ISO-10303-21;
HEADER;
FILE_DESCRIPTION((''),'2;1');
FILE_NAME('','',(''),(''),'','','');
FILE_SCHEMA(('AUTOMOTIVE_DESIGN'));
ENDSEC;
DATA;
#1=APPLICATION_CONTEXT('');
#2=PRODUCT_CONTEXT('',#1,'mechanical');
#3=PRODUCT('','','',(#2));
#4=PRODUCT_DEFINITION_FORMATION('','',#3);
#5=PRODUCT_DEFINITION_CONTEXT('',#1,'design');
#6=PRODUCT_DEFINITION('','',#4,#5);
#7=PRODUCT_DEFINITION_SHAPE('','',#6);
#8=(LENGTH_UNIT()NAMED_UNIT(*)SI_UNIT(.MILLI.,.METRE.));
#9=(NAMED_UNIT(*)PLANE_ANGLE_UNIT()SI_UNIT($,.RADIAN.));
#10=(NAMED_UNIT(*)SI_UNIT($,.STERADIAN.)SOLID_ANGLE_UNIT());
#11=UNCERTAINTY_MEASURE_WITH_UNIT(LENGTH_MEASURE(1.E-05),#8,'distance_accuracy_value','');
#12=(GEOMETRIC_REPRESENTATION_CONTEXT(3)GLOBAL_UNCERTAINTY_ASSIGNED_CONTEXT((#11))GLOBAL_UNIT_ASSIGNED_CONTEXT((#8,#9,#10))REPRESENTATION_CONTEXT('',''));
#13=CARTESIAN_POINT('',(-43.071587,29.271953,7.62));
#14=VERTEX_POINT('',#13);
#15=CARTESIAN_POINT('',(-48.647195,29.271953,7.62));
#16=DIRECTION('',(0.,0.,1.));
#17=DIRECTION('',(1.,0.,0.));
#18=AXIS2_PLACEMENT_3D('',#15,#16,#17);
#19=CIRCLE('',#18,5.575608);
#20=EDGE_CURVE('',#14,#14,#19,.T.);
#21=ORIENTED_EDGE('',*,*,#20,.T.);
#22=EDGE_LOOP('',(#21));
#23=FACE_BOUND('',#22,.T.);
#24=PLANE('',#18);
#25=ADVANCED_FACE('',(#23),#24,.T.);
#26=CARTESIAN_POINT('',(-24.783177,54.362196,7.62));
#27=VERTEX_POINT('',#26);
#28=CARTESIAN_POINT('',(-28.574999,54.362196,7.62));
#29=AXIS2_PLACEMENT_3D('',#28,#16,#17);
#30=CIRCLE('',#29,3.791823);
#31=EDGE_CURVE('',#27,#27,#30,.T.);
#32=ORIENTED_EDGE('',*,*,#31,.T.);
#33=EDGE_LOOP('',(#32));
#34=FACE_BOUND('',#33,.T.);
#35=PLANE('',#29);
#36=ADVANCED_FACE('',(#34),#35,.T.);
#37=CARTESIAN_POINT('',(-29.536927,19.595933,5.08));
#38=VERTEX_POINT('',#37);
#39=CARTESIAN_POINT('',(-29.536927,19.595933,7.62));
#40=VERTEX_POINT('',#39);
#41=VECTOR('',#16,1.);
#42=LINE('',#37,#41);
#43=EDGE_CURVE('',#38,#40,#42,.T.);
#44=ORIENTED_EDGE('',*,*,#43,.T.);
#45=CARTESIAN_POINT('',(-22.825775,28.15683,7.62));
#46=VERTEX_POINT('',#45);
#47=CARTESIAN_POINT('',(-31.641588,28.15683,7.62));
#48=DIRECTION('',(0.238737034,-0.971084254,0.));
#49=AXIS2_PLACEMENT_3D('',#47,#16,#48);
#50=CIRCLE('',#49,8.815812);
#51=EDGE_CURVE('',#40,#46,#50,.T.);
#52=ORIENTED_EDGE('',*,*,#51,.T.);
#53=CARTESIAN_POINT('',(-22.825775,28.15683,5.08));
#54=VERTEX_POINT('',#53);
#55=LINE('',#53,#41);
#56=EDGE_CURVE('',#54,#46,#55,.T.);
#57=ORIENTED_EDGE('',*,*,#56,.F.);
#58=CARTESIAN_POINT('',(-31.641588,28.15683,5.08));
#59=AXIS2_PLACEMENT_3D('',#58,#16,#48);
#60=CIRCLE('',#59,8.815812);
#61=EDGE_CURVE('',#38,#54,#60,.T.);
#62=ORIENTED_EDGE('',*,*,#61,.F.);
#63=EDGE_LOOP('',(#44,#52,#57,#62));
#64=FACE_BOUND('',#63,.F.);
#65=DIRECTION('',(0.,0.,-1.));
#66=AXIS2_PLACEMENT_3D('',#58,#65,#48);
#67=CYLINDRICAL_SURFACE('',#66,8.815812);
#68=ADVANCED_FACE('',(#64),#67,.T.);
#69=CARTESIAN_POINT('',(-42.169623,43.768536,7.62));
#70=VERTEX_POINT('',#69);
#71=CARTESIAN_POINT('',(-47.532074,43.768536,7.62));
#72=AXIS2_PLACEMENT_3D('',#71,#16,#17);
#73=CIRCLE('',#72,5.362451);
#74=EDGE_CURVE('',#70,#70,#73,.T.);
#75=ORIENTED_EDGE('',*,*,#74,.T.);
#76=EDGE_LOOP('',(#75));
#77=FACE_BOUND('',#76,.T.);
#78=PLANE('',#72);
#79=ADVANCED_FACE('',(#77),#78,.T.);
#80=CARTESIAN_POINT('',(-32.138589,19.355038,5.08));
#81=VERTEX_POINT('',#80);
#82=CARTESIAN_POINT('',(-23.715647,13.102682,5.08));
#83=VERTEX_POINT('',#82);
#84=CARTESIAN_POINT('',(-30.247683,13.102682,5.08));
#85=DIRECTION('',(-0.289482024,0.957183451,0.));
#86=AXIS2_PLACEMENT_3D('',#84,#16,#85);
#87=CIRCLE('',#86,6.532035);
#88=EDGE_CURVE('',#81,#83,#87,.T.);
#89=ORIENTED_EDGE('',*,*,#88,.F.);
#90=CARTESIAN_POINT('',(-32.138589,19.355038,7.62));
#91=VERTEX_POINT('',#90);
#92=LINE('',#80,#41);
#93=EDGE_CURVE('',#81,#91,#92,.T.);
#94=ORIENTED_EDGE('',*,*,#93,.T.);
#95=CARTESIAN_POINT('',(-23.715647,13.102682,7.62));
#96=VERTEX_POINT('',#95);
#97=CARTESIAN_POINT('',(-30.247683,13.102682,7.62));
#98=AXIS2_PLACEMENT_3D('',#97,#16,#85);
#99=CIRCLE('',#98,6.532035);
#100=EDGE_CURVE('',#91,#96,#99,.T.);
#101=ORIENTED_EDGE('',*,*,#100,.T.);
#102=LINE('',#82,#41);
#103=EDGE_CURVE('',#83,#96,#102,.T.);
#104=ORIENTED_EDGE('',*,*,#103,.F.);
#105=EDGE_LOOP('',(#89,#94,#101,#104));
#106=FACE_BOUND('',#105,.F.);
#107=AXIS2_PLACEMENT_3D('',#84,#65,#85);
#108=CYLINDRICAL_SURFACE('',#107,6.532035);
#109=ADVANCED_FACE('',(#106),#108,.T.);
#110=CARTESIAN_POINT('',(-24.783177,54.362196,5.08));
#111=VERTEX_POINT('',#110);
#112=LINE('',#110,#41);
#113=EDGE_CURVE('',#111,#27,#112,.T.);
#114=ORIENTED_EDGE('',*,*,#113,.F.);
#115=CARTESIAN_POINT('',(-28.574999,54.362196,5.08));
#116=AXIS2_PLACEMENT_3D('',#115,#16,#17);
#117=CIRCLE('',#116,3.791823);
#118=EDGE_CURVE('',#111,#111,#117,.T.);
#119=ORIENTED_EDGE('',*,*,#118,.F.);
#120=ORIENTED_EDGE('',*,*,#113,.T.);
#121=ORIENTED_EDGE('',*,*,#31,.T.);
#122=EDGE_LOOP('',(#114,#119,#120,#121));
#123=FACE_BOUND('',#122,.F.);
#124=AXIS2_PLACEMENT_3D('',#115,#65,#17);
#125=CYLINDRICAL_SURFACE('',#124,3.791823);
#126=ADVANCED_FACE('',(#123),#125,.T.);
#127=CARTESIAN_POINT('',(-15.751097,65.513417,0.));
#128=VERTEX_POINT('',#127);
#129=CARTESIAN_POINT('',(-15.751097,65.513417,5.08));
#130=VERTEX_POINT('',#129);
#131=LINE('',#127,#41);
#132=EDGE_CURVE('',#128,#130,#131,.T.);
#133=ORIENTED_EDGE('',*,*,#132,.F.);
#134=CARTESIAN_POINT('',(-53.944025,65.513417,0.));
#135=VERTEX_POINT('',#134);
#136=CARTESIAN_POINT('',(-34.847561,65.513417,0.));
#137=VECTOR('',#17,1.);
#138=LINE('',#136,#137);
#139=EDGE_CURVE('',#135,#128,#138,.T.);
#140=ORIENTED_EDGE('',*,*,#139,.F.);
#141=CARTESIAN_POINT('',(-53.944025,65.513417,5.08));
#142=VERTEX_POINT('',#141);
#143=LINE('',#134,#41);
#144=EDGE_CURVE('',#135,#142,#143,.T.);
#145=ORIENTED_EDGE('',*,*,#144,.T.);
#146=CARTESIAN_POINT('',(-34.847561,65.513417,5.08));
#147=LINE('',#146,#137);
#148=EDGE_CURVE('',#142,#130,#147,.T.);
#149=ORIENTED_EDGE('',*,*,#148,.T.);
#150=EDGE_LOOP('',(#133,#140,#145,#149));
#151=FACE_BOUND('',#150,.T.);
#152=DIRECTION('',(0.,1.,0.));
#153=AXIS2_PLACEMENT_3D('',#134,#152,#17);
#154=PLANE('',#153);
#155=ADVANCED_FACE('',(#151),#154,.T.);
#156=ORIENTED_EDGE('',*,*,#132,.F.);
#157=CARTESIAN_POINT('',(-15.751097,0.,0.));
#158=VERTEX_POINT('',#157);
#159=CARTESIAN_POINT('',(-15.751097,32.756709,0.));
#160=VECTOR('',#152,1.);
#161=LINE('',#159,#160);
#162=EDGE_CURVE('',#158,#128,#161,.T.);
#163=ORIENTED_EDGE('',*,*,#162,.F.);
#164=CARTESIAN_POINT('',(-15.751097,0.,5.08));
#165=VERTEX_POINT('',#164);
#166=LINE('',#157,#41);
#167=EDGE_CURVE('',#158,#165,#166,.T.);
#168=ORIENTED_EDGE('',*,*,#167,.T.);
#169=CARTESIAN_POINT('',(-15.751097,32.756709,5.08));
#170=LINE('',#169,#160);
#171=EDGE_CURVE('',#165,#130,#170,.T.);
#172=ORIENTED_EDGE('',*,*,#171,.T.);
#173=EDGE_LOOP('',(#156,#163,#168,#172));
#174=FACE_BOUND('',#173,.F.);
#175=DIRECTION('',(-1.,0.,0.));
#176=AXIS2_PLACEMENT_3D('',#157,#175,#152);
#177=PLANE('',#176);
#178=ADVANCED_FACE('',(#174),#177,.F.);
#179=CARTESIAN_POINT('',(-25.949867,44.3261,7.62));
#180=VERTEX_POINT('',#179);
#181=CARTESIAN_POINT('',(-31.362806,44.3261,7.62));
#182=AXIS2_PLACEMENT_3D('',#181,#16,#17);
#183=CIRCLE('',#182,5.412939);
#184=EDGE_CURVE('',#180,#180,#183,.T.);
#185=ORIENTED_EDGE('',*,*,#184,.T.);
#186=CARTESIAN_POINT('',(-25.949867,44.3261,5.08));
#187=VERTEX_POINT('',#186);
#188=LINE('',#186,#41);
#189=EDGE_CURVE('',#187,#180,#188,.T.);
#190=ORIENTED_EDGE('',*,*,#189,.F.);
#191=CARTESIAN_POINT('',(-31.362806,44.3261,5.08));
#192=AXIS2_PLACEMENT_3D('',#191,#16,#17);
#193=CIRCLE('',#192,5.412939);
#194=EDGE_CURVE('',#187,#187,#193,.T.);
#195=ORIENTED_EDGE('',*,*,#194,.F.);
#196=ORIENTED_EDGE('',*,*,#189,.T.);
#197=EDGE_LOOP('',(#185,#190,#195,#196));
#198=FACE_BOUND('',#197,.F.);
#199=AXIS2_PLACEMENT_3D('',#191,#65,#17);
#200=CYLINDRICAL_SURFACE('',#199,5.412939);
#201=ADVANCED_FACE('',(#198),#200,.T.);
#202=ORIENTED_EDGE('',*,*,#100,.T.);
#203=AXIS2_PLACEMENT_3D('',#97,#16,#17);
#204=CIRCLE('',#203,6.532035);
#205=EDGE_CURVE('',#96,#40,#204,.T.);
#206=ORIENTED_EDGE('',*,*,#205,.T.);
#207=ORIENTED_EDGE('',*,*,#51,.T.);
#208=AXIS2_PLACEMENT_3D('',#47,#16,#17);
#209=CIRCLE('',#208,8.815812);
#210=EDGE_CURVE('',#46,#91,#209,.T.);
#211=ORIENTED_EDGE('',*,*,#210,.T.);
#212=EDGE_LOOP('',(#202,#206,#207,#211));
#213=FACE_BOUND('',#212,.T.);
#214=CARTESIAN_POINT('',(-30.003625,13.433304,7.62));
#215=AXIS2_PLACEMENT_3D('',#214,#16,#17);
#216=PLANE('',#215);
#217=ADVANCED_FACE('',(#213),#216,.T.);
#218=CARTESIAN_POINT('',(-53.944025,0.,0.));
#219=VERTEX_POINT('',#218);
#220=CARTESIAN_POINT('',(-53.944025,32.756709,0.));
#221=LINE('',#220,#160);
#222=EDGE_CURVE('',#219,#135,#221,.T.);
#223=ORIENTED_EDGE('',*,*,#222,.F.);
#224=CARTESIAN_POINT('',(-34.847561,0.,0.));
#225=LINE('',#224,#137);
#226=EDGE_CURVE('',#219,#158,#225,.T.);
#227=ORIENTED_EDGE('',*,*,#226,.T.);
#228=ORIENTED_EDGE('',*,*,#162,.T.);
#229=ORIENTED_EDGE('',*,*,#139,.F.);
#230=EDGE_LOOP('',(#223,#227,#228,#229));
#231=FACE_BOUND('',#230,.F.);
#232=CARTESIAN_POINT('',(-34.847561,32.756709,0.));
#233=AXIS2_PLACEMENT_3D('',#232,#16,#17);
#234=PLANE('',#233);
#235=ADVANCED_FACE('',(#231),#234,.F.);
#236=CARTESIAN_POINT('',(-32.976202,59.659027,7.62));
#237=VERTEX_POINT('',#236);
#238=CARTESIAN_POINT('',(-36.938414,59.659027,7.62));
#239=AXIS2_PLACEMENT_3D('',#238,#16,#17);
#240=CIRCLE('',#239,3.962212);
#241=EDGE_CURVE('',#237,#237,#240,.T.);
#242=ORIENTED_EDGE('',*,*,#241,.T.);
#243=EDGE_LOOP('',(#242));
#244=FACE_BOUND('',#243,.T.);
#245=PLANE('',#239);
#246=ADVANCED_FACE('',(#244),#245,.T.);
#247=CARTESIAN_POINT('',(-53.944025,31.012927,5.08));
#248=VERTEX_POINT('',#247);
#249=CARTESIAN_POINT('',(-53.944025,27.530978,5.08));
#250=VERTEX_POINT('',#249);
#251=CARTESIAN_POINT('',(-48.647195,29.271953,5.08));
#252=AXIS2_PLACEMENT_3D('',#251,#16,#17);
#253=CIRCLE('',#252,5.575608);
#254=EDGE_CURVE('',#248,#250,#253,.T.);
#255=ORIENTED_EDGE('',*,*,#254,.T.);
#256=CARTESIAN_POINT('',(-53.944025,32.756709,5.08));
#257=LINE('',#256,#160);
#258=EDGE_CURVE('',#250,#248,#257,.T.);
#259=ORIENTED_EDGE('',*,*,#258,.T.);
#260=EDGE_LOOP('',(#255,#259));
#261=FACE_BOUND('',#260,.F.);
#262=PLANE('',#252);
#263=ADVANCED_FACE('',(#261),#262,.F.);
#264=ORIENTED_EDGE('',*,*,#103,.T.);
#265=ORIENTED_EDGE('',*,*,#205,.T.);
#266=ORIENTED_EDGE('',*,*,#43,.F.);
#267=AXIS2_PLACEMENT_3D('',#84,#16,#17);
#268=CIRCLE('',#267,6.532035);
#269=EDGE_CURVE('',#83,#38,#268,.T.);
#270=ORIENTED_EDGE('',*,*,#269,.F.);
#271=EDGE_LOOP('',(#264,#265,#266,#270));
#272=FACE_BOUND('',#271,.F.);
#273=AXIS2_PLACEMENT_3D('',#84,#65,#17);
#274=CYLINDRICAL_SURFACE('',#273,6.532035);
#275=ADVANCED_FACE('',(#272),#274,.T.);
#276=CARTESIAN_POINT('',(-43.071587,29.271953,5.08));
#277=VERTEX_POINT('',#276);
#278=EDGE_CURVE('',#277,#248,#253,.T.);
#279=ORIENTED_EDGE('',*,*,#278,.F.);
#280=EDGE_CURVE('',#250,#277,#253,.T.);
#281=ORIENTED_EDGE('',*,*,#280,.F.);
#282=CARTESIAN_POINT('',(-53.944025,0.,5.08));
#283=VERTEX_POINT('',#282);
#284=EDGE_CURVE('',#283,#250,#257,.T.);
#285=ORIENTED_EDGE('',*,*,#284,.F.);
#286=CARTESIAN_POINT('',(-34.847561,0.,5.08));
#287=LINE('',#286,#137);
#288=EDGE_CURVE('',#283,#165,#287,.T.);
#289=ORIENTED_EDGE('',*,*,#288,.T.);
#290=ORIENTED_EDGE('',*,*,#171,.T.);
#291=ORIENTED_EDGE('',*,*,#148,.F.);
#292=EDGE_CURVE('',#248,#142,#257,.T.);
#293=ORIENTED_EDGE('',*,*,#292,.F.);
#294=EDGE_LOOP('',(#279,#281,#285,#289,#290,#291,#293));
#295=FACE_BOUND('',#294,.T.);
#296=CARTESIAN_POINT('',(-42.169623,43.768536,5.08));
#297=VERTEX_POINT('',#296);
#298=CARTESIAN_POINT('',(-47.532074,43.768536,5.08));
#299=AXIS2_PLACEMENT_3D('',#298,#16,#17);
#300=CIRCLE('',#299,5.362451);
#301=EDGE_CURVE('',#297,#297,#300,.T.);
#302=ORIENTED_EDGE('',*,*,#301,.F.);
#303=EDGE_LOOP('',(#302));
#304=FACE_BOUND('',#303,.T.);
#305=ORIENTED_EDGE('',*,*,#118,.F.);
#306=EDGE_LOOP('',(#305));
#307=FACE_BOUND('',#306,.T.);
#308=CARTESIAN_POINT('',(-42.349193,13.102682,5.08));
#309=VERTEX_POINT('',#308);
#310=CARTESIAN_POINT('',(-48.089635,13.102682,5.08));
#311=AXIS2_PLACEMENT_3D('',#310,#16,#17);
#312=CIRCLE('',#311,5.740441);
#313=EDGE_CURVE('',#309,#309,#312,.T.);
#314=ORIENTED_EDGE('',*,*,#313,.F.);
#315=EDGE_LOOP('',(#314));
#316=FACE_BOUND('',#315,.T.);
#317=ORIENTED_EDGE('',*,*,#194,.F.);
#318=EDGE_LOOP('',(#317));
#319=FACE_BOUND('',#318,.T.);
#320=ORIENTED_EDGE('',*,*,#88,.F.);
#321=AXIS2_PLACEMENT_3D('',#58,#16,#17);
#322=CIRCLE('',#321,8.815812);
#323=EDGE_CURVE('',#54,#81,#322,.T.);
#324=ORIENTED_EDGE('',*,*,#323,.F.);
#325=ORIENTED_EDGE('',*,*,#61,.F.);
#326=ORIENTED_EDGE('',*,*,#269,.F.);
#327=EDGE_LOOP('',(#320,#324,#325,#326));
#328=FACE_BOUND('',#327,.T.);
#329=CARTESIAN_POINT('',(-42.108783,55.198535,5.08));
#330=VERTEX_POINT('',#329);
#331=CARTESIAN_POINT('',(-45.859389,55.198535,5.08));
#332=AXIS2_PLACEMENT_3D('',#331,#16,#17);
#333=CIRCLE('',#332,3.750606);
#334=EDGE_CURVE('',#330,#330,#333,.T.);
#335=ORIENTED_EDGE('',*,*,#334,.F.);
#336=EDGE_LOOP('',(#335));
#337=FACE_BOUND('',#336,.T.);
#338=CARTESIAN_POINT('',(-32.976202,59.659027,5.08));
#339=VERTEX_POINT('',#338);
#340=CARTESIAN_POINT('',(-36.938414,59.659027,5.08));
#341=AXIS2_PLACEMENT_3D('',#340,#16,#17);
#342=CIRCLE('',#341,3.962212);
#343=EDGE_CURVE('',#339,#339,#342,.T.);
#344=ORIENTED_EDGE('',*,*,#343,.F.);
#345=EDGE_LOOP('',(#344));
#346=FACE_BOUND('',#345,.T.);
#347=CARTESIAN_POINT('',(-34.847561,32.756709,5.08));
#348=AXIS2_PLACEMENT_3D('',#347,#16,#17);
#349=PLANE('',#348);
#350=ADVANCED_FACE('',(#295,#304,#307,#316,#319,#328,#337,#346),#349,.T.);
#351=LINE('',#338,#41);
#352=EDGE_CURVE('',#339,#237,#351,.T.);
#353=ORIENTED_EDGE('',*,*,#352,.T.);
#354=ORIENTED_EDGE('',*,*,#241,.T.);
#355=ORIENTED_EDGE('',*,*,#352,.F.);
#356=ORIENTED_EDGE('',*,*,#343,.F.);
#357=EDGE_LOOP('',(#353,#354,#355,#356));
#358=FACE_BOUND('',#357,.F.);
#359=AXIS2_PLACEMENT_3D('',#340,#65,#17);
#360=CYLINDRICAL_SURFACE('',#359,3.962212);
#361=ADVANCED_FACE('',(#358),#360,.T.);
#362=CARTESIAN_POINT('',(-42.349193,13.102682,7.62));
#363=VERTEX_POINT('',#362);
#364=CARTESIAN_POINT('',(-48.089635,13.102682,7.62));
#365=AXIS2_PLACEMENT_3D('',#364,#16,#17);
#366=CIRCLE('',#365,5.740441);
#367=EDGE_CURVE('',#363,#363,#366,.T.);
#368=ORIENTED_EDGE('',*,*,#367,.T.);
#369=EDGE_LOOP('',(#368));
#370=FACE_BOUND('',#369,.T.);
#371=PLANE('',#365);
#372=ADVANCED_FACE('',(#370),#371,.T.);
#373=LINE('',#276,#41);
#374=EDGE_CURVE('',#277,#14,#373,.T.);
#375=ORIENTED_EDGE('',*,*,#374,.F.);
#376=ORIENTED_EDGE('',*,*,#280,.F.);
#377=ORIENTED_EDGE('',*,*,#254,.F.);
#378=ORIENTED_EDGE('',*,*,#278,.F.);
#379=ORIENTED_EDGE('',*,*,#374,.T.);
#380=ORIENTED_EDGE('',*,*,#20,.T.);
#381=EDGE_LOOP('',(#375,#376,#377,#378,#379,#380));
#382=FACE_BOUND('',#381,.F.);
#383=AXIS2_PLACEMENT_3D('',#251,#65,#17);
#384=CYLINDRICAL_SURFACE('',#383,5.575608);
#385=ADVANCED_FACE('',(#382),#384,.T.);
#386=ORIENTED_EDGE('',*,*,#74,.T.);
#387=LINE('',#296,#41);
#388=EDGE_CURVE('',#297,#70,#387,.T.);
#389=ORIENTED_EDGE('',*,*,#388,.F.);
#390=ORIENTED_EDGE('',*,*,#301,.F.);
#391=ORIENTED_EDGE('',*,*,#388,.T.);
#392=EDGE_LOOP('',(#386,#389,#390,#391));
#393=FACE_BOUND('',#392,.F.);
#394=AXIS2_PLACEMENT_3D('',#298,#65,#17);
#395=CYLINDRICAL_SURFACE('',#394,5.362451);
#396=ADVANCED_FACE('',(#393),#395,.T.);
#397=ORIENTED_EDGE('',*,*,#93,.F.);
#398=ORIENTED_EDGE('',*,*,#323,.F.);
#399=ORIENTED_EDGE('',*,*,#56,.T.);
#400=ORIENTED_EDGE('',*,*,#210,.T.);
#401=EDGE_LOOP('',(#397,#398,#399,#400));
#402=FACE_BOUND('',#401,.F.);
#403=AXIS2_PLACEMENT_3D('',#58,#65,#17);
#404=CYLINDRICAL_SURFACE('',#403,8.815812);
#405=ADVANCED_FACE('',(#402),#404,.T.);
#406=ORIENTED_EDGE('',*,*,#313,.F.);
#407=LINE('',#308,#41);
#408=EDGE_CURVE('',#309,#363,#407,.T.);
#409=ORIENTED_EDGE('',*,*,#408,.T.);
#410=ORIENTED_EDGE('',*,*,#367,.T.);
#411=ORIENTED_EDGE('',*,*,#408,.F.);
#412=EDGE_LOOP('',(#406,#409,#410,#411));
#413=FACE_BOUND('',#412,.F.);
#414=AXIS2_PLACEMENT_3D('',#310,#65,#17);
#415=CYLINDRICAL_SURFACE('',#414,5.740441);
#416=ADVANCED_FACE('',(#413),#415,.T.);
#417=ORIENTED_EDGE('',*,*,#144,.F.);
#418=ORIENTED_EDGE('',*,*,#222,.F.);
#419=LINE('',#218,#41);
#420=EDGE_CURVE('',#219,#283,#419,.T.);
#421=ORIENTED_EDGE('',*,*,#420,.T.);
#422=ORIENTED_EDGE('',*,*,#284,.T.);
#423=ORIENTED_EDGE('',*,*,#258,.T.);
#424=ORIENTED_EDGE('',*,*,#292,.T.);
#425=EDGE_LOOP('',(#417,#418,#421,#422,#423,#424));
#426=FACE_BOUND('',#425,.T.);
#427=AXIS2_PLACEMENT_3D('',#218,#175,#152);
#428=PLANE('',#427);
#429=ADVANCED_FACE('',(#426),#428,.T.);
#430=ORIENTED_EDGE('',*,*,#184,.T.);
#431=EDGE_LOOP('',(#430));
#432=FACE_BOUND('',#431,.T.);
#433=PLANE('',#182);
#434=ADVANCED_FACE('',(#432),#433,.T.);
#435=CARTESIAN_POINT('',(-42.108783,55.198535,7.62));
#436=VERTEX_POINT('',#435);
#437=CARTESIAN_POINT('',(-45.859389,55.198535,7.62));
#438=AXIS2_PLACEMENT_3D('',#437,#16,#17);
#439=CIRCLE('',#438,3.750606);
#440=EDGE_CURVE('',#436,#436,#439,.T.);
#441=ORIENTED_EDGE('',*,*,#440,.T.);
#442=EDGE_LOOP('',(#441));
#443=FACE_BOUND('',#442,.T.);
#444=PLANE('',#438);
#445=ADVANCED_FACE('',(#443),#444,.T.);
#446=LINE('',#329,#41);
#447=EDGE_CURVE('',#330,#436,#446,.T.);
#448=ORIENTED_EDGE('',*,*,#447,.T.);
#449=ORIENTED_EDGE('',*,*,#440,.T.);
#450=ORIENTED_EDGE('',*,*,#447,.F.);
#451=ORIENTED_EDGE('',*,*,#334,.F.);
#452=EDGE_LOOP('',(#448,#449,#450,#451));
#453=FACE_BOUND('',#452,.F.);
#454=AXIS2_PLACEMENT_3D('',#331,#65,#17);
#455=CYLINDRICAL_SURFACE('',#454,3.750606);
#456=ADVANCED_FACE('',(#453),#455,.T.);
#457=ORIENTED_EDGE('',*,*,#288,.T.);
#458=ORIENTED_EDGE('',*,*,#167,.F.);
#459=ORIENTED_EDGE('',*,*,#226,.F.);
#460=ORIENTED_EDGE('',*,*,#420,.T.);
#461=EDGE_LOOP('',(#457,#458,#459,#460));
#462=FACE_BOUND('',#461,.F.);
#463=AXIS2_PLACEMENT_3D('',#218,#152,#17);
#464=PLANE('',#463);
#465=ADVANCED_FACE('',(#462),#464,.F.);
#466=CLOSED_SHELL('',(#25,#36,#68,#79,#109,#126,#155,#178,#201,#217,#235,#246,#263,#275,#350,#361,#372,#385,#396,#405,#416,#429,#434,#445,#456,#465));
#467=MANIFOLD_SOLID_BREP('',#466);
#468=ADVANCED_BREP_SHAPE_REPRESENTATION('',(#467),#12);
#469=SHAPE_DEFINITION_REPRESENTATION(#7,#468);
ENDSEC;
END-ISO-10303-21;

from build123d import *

# Parameters (mm, degrees)
F0_W     = 38.1929278374
F0_H     = 65.5134171247
F1_DEPTH = 5.08
F2_R     = 5.3624507345
F2_R_2   = 5.575607717
F2_R_3   = 5.7404414839
F2_R_4   = 5.4129387383
F2_R_5   = 3.7918226762
F2_R_6   = 3.7506057442
F2_R_7   = 3.9622118833
F3_DEPTH = 2.54


with BuildPart() as f1:
    # F0 (on Top) → F1 (new body)
    with BuildSketch(Plane.XY):
        with Locations((-34.84756127, 32.7567085624)):
            Rectangle(F0_W, F0_H)
    extrude(amount=F1_DEPTH)

    # F2 (on face) → F3 (join)
    with BuildSketch(Plane.XY.offset(5.08)):
        with Locations((-47.5320741534, 43.7685362995)):
            Circle(F2_R)
        with Locations((-48.6471951008, 29.2719528079)):
            Circle(F2_R_2)
        with Locations((-48.0896346271, 13.1026823074)):
            Circle(F2_R_3)
        with BuildLine():
            ThreePointArc((-32.1385894881, 19.3550383455), (-34.1410112771, 7.8577345363), (-23.715647457, 13.1026823074))
            ThreePointArc((-23.715647457, 13.1026823074), (-25.3840334776, 17.4630034739), (-29.536926722, 19.5959334514))
            ThreePointArc((-29.536926722, 19.5959334514), (-30.8287841368, 19.3785672051), (-32.1385894881, 19.3550383455))
        make_face()
        with BuildLine():
            ThreePointArc((-32.1385894881, 19.3550383455), (-30.8287841368, 19.3785672051), (-29.536926722, 19.5959334514))
            ThreePointArc((-29.536926722, 19.5959334514), (-30.8499256715, 19.6068953956), (-32.1385894881, 19.3550383455))
        make_face()
        with BuildLine():
            ThreePointArc((-32.1385894881, 19.3550383455), (-30.8499256715, 19.6068953956), (-29.536926722, 19.5959334514))
            ThreePointArc((-29.536926722, 19.5959334514), (-24.7035460102, 22.71788471), (-22.8257752784, 28.1568299979))
            ThreePointArc((-22.8257752784, 28.1568299979), (-37.6970426727, 34.5638582637), (-32.1385894881, 19.3550383455))
        make_face()
        with Locations((-31.3628055155, 44.3261004984)):
            Circle(F2_R_4)
        with Locations((-28.5749994218, 54.3621964753)):
            Circle(F2_R_5)
        with Locations((-45.8593890071, 55.1985353231)):
            Circle(F2_R_6)
        with Locations((-36.9384139776, 59.6590265632)):
            Circle(F2_R_7)
    extrude(amount=F3_DEPTH)


solid = f1.part
